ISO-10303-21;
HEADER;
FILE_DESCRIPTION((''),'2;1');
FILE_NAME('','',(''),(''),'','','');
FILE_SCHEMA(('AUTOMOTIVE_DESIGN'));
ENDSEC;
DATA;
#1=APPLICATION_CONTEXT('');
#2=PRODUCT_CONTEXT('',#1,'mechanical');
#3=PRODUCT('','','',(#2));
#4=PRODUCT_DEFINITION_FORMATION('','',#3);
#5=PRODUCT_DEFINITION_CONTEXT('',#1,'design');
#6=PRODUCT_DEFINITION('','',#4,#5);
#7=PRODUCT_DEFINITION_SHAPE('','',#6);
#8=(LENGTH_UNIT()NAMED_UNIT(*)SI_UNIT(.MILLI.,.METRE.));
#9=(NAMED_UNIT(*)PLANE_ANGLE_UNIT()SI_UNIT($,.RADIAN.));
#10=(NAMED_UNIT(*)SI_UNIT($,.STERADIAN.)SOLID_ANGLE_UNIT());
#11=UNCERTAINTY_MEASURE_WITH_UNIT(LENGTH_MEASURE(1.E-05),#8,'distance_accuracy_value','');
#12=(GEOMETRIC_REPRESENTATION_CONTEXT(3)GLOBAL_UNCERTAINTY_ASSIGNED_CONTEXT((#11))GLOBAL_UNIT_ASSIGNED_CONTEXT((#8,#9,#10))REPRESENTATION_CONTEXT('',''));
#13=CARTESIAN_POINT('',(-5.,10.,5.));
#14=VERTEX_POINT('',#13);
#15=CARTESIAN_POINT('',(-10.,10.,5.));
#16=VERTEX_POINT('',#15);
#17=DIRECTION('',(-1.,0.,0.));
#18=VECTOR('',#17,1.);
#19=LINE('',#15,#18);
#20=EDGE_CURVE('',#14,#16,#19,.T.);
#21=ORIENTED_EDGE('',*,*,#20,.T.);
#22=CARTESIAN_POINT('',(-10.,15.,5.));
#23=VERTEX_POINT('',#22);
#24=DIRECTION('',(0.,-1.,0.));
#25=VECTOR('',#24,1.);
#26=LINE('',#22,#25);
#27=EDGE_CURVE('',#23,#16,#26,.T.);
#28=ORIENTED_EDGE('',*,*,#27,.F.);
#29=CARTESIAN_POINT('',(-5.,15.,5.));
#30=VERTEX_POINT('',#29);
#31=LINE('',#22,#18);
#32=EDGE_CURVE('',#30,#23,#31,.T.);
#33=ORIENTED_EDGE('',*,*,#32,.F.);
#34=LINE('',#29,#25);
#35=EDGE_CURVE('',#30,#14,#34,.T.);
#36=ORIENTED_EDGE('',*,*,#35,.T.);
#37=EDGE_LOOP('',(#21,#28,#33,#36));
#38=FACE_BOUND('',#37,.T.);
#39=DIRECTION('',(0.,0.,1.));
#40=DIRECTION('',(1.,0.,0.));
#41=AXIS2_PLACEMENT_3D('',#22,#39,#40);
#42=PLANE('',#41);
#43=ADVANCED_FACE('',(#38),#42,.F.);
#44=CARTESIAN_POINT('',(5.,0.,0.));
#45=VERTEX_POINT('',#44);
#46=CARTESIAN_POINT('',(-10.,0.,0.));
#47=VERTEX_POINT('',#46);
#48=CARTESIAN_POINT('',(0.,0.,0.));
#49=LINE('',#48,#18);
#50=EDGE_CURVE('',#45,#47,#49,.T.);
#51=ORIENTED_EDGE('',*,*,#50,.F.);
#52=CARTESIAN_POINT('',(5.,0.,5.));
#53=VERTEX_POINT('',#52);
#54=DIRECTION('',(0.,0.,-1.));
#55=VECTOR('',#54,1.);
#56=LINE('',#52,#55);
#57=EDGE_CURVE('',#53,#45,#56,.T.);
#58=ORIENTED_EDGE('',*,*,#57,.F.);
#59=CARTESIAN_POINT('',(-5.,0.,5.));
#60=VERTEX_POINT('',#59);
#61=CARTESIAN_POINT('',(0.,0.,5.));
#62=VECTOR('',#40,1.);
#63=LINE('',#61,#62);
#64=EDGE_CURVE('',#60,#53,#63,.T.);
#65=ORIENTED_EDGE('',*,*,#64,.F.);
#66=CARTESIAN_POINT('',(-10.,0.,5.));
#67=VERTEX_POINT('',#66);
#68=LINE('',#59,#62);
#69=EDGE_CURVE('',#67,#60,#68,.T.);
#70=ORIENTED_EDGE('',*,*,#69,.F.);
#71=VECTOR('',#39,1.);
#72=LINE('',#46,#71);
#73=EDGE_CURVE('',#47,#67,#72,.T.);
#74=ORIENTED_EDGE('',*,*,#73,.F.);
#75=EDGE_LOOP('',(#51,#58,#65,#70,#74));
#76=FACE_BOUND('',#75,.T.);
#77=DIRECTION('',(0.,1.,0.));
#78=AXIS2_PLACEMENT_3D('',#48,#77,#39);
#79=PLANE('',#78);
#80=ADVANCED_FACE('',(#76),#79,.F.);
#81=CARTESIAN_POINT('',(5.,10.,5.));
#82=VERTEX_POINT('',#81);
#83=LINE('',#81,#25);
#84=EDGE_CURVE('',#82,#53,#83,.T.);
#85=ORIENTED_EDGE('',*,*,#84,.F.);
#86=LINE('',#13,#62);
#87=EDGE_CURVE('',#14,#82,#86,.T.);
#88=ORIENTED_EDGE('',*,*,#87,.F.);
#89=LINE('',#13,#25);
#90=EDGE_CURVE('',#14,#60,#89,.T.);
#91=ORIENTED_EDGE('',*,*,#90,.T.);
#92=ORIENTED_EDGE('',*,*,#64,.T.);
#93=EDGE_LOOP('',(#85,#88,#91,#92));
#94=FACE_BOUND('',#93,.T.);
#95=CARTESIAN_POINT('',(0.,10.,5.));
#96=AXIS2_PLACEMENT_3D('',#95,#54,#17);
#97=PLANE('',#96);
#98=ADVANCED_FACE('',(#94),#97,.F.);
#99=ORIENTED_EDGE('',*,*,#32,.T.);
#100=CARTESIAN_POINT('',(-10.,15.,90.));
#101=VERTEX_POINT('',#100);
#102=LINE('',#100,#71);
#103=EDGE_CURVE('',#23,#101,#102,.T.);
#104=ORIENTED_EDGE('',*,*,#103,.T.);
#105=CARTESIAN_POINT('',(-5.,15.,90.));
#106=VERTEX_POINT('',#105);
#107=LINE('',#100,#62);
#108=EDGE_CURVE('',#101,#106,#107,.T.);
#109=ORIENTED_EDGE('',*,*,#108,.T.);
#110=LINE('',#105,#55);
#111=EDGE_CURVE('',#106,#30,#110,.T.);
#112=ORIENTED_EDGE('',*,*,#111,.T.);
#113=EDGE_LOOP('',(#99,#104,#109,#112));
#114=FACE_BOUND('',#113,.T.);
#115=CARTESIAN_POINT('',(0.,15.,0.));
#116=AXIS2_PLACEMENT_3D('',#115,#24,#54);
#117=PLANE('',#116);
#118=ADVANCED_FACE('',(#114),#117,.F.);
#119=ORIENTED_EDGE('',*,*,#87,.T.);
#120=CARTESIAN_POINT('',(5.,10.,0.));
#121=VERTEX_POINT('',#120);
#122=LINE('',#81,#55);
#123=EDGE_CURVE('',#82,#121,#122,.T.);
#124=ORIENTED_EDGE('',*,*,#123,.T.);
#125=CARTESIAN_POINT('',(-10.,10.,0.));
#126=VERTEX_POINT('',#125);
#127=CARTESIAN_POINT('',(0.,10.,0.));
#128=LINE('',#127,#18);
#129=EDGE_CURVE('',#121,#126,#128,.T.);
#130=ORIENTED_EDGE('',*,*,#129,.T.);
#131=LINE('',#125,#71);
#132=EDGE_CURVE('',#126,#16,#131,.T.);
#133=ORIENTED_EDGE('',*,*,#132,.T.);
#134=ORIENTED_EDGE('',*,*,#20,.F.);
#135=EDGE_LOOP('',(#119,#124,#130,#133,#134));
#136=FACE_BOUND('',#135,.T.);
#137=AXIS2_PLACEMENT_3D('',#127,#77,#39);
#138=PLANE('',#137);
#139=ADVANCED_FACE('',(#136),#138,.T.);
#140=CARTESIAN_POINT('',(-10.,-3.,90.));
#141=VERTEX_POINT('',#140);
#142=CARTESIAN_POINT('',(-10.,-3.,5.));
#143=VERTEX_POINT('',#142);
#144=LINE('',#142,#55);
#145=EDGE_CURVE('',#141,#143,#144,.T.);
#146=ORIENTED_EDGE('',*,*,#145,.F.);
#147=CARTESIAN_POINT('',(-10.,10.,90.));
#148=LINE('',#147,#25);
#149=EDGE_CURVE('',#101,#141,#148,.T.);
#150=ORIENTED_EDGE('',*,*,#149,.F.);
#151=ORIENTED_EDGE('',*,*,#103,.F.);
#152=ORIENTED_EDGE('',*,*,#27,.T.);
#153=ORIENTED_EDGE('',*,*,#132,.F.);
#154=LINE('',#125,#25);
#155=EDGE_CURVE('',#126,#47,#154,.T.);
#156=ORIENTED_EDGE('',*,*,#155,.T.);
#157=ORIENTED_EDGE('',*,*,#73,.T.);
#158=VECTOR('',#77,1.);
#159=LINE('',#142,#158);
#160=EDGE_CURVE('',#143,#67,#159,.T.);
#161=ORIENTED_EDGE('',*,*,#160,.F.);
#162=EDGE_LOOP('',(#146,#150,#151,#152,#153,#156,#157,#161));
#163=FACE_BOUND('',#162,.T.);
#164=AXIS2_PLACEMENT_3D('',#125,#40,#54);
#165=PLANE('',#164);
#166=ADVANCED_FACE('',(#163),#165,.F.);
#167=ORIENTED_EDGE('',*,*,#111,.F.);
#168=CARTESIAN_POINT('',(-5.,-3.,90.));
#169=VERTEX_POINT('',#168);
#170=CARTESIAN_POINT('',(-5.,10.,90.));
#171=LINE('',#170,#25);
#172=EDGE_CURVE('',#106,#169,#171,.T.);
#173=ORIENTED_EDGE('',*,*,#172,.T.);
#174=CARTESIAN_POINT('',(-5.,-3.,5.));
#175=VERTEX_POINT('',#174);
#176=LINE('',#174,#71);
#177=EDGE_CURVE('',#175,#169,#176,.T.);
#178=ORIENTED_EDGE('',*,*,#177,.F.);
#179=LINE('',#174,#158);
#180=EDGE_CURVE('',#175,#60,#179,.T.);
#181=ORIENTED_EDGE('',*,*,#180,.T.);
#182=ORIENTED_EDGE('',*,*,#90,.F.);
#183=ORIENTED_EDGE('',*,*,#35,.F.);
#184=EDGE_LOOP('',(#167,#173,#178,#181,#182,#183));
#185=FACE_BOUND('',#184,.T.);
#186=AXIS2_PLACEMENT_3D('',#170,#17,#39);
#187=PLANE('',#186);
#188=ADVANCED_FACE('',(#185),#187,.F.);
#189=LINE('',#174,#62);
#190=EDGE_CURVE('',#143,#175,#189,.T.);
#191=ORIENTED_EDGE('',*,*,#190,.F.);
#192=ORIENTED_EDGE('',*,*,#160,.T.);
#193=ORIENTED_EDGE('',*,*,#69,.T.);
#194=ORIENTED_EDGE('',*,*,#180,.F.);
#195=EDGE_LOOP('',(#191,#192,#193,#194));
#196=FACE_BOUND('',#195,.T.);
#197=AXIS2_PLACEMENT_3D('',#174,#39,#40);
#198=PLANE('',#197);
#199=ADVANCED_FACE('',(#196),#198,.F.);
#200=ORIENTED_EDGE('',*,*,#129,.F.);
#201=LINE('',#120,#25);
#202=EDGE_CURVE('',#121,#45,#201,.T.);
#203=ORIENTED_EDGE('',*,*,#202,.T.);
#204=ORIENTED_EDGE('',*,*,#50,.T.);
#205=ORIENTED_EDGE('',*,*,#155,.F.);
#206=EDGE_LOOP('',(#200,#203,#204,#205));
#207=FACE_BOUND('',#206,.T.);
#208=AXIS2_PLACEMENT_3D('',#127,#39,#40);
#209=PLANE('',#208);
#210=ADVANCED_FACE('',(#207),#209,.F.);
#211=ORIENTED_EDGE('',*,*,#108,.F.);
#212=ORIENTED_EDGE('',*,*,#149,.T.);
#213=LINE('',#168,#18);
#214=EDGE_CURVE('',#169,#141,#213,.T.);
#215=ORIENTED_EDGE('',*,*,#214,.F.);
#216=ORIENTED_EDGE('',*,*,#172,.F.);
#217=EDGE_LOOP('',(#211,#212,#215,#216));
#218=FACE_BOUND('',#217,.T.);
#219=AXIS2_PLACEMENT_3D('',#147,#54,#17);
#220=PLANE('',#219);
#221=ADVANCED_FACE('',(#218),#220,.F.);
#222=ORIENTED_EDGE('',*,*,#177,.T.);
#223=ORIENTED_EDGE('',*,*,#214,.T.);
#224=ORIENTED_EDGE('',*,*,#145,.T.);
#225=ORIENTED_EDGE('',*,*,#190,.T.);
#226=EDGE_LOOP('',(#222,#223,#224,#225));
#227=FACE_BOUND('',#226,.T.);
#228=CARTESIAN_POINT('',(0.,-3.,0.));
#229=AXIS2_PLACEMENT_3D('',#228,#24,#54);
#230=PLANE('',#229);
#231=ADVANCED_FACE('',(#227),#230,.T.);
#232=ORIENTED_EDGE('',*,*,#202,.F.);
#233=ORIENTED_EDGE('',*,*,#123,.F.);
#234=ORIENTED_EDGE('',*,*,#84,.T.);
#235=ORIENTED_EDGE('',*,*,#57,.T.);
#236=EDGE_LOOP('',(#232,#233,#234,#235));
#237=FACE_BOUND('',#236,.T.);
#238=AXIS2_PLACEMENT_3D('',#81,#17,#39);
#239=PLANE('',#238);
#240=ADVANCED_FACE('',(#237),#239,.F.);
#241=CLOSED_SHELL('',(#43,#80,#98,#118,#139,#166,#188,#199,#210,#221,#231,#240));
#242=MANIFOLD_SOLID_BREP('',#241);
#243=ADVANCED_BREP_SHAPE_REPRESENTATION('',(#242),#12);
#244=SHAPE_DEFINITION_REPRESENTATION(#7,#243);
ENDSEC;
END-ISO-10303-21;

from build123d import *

# Parameters (mm, degrees)
BOSS_EXTRUDE1_DEPTH = 10
SKETCH3_W           = 5
SKETCH3_H           = 85
BOSS_EXTRUDE2_DEPTH = 5
SKETCH5_W           = 5
SKETCH5_H           = 85
BOSS_EXTRUDE4_DEPTH = 3


with BuildPart() as part:
    # Sketch1 → Boss-Extrude1 (new body)
    with BuildSketch(Plane(origin=(0, 0, 0), x_dir=(1, 0, 0), z_dir=(0, 1, 0))):
        Polygon((0, 0), (-10, 0), (-10, -90), (-5, -90), (-5, -5), (0, -5), (5, -5), (5, 0), align=None)
    extrude(amount=BOSS_EXTRUDE1_DEPTH)

    # Sketch3 → Boss-Extrude2 (add)
    with BuildSketch(Plane(origin=(0, 10, 0), x_dir=(1, 0, 0), z_dir=(0, 1, 0))):
        with Locations((-7.5, -47.5)):
            Rectangle(SKETCH3_W, SKETCH3_H)
    extrude(amount=BOSS_EXTRUDE2_DEPTH)

    # Sketch5 → Boss-Extrude4 (add)
    with BuildSketch(Plane(origin=(0, 0, 0), x_dir=(-1, 0, 0), z_dir=(0, -1, 0))):
        with Locations((7.5, -47.5)):
            Rectangle(SKETCH5_W, SKETCH5_H)
    extrude(amount=BOSS_EXTRUDE4_DEPTH)


solid = part.part
